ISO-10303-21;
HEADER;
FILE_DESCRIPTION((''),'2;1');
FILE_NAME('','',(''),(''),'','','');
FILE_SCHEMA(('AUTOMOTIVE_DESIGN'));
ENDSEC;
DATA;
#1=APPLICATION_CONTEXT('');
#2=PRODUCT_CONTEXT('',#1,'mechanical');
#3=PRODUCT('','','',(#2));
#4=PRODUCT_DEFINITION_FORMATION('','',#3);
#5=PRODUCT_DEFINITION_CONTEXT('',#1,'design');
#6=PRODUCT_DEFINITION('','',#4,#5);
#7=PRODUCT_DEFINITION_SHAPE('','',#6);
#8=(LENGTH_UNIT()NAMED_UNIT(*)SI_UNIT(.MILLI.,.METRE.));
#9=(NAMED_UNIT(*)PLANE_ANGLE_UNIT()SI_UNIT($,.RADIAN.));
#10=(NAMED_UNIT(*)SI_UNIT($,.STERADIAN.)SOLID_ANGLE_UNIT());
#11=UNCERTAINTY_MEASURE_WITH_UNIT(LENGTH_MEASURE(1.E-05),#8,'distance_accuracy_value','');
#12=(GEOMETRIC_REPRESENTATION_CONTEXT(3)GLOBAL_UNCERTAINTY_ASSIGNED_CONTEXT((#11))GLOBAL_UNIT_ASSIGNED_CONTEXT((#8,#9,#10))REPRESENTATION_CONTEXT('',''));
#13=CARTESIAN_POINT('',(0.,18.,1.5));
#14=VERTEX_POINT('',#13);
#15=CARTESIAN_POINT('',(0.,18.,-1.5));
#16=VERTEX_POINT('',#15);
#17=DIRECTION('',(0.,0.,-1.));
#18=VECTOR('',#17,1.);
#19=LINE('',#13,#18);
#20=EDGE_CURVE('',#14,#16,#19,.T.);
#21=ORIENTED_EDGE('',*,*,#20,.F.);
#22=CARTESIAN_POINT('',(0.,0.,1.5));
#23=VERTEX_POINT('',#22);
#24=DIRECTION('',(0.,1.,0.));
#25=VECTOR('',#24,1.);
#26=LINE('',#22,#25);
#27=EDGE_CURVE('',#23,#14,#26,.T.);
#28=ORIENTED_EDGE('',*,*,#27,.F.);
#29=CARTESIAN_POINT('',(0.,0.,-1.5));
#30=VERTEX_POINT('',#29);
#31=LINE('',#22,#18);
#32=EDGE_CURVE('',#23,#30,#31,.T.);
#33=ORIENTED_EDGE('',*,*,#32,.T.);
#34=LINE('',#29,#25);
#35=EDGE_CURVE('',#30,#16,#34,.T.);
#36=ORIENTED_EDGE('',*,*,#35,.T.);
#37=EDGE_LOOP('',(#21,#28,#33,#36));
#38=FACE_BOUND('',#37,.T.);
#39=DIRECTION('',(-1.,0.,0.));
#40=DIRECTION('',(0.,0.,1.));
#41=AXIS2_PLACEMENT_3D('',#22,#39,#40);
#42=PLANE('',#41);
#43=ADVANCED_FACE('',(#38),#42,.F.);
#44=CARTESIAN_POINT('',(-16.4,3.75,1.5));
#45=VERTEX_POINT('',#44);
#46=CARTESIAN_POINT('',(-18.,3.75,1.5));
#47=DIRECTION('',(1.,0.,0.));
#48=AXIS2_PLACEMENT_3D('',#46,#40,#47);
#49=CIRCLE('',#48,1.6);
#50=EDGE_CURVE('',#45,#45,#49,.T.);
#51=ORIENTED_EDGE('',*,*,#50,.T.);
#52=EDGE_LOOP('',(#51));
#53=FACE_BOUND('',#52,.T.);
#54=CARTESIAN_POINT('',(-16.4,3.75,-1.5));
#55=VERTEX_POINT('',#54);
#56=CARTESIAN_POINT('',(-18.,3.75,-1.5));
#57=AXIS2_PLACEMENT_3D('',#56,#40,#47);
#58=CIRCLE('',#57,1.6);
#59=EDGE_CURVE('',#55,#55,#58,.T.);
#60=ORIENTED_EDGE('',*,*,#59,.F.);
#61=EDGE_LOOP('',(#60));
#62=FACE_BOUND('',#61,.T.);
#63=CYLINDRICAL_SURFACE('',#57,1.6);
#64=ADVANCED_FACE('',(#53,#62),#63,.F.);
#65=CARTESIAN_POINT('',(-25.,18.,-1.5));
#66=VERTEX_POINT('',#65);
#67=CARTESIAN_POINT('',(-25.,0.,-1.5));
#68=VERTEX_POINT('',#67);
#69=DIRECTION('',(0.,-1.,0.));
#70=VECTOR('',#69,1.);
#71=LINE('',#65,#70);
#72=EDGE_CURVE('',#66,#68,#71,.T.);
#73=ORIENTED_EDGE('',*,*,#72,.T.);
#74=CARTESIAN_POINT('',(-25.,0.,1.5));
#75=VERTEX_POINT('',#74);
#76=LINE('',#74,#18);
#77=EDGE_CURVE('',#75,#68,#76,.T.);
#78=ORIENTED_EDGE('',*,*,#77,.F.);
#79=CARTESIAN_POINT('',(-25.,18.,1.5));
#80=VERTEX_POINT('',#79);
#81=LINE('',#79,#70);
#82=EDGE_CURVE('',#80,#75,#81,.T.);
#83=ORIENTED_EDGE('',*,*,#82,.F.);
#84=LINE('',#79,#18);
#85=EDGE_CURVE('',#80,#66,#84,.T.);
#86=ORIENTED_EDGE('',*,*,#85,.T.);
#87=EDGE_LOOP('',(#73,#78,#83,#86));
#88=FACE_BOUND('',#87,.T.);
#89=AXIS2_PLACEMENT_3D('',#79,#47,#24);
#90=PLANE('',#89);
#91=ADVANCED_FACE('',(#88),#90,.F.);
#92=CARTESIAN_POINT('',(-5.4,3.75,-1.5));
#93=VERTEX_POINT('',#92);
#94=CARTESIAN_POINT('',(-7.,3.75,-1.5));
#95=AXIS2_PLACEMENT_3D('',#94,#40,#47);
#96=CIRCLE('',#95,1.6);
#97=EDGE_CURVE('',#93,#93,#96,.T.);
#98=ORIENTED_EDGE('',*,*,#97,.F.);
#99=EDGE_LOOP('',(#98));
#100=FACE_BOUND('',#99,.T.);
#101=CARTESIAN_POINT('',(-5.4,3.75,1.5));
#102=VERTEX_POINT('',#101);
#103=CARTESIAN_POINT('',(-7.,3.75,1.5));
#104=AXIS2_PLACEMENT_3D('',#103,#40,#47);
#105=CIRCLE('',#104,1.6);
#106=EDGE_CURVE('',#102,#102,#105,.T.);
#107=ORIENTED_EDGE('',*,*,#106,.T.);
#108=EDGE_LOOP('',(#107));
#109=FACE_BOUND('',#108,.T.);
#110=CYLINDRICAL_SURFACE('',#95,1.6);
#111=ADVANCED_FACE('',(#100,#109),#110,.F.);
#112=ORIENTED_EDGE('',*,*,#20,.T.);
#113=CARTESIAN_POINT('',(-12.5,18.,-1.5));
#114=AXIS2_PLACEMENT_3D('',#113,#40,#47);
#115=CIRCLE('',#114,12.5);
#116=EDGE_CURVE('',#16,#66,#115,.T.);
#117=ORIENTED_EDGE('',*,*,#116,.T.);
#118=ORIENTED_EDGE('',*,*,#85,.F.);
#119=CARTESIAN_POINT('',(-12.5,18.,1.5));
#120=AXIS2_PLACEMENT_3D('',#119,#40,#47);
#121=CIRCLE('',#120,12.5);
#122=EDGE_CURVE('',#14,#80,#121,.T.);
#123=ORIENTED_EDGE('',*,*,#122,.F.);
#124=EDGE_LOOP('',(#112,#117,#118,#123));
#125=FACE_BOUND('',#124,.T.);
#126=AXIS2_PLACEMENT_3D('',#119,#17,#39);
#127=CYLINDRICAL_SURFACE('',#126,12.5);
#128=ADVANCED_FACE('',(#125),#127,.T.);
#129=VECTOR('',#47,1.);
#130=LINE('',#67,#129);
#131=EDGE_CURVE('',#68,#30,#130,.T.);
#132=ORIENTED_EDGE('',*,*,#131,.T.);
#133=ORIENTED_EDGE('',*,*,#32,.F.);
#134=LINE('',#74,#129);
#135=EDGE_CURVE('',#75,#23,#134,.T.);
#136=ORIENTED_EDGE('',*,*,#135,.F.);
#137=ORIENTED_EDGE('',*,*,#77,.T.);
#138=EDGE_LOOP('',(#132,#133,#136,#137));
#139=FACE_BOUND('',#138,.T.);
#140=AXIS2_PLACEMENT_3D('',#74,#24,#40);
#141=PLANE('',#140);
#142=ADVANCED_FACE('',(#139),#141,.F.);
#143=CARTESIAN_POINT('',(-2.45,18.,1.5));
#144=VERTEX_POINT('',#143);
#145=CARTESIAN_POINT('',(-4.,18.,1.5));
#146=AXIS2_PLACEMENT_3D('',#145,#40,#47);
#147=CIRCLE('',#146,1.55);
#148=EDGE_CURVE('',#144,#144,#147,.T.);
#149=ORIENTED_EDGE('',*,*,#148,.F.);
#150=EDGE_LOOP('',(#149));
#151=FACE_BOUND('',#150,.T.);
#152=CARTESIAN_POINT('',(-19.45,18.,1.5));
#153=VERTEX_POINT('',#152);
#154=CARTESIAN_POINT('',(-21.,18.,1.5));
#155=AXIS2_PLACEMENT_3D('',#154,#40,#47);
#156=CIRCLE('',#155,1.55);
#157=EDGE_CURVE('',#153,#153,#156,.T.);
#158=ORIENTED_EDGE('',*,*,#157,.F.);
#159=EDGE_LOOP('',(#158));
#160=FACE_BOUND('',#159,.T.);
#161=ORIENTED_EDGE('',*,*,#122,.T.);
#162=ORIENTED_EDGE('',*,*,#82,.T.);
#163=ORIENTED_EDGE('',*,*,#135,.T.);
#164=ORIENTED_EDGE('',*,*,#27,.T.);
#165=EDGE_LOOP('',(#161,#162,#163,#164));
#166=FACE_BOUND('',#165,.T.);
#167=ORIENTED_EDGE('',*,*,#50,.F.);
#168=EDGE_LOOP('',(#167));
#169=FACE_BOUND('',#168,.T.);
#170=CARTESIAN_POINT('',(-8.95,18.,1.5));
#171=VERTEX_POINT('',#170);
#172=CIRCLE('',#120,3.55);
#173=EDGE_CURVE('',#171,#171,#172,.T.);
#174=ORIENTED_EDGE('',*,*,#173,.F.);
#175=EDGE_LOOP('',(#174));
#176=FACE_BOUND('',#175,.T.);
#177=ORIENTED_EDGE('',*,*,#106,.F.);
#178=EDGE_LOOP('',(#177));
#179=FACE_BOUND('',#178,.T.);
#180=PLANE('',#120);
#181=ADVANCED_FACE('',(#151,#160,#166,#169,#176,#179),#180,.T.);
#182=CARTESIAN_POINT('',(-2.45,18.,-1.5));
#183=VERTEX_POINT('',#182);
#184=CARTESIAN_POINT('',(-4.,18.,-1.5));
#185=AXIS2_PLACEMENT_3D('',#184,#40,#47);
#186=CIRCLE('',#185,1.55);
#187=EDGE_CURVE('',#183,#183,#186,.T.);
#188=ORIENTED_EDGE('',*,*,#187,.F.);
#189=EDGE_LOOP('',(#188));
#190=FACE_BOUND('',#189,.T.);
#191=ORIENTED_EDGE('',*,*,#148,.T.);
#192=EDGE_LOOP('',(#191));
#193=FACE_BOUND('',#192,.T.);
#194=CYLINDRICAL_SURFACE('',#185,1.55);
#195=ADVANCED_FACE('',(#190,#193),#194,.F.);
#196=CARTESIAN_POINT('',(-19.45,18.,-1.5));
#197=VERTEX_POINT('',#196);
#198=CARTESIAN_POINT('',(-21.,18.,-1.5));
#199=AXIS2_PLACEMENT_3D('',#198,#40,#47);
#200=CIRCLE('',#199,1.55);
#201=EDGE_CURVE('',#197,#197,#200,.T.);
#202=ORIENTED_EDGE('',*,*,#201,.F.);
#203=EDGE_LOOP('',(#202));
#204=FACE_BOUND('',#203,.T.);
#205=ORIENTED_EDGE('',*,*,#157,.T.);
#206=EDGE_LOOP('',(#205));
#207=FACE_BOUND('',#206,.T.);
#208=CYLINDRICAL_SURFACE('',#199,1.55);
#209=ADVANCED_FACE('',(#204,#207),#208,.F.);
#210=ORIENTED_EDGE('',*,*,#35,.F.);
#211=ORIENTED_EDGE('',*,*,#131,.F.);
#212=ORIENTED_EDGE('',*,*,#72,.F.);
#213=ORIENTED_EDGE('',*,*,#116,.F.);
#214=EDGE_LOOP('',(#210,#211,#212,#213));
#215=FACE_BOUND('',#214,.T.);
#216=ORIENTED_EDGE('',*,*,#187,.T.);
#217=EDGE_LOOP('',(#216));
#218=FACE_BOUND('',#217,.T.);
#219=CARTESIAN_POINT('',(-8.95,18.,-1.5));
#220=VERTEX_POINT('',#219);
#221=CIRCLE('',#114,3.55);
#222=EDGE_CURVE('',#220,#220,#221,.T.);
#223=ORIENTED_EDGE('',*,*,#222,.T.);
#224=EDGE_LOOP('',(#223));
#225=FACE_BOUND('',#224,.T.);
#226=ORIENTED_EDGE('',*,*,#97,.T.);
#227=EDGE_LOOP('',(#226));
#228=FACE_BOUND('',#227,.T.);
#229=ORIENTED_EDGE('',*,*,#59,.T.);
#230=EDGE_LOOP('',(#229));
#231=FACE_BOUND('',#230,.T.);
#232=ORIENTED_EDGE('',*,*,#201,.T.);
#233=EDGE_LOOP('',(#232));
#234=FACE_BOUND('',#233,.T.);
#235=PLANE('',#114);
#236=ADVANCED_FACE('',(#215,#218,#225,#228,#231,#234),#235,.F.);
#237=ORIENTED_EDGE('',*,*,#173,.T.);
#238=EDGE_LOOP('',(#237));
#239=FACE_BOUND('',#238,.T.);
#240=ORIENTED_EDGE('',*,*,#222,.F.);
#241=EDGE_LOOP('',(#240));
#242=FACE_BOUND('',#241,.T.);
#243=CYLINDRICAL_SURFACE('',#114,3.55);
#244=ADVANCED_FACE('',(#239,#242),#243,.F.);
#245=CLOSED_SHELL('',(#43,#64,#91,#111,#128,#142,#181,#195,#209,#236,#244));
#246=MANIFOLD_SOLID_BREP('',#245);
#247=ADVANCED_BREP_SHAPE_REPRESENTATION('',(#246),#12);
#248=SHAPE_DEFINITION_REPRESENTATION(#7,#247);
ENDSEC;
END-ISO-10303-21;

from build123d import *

# Parameters (mm, degrees)
EXTRUDE_1_DEPTH     = 1.5
SKETCH_2_R          = 1.6
CUT_EXTRUDE_1_DEPTH = 3
SKETCH_3_R          = 1.55
SKETCH_3_R_2        = 3.55
CUT_EXTRUDE_2_DEPTH = 3


with BuildPart() as part:
    # 草图1 → 凸台-拉伸1 (new, symmetric)
    with BuildSketch(Plane.XY):
        with BuildLine():
            Line((-25, 0), (0, 0))
            Line((0, 0), (0, 18))
            ThreePointArc((0, 18), (-12.5, 30.5), (-25, 18))
            Line((-25, 18), (-25, 0))
        make_face()
    extrude(amount=EXTRUDE_1_DEPTH, both=True)

    # 草图2 → 切除-拉伸1 (cut)
    with BuildSketch(Plane.XY.offset(1.5)):
        with Locations((-18, 3.75)):
            Circle(SKETCH_2_R)
        with Locations((-7, 3.75)):
            Circle(SKETCH_2_R)
    extrude(amount=-CUT_EXTRUDE_1_DEPTH, mode=Mode.SUBTRACT)

    # 草图3 → 切除-拉伸2 (cut)
    with BuildSketch(Plane.XY.offset(1.5)):
        with Locations((-4, 18)):
            Circle(SKETCH_3_R)
        with Locations((-21, 18)):
            Circle(SKETCH_3_R)
        with Locations((-12.5, 18)):
            Circle(SKETCH_3_R_2)
    extrude(amount=-CUT_EXTRUDE_2_DEPTH, mode=Mode.SUBTRACT)


solid = part.part
